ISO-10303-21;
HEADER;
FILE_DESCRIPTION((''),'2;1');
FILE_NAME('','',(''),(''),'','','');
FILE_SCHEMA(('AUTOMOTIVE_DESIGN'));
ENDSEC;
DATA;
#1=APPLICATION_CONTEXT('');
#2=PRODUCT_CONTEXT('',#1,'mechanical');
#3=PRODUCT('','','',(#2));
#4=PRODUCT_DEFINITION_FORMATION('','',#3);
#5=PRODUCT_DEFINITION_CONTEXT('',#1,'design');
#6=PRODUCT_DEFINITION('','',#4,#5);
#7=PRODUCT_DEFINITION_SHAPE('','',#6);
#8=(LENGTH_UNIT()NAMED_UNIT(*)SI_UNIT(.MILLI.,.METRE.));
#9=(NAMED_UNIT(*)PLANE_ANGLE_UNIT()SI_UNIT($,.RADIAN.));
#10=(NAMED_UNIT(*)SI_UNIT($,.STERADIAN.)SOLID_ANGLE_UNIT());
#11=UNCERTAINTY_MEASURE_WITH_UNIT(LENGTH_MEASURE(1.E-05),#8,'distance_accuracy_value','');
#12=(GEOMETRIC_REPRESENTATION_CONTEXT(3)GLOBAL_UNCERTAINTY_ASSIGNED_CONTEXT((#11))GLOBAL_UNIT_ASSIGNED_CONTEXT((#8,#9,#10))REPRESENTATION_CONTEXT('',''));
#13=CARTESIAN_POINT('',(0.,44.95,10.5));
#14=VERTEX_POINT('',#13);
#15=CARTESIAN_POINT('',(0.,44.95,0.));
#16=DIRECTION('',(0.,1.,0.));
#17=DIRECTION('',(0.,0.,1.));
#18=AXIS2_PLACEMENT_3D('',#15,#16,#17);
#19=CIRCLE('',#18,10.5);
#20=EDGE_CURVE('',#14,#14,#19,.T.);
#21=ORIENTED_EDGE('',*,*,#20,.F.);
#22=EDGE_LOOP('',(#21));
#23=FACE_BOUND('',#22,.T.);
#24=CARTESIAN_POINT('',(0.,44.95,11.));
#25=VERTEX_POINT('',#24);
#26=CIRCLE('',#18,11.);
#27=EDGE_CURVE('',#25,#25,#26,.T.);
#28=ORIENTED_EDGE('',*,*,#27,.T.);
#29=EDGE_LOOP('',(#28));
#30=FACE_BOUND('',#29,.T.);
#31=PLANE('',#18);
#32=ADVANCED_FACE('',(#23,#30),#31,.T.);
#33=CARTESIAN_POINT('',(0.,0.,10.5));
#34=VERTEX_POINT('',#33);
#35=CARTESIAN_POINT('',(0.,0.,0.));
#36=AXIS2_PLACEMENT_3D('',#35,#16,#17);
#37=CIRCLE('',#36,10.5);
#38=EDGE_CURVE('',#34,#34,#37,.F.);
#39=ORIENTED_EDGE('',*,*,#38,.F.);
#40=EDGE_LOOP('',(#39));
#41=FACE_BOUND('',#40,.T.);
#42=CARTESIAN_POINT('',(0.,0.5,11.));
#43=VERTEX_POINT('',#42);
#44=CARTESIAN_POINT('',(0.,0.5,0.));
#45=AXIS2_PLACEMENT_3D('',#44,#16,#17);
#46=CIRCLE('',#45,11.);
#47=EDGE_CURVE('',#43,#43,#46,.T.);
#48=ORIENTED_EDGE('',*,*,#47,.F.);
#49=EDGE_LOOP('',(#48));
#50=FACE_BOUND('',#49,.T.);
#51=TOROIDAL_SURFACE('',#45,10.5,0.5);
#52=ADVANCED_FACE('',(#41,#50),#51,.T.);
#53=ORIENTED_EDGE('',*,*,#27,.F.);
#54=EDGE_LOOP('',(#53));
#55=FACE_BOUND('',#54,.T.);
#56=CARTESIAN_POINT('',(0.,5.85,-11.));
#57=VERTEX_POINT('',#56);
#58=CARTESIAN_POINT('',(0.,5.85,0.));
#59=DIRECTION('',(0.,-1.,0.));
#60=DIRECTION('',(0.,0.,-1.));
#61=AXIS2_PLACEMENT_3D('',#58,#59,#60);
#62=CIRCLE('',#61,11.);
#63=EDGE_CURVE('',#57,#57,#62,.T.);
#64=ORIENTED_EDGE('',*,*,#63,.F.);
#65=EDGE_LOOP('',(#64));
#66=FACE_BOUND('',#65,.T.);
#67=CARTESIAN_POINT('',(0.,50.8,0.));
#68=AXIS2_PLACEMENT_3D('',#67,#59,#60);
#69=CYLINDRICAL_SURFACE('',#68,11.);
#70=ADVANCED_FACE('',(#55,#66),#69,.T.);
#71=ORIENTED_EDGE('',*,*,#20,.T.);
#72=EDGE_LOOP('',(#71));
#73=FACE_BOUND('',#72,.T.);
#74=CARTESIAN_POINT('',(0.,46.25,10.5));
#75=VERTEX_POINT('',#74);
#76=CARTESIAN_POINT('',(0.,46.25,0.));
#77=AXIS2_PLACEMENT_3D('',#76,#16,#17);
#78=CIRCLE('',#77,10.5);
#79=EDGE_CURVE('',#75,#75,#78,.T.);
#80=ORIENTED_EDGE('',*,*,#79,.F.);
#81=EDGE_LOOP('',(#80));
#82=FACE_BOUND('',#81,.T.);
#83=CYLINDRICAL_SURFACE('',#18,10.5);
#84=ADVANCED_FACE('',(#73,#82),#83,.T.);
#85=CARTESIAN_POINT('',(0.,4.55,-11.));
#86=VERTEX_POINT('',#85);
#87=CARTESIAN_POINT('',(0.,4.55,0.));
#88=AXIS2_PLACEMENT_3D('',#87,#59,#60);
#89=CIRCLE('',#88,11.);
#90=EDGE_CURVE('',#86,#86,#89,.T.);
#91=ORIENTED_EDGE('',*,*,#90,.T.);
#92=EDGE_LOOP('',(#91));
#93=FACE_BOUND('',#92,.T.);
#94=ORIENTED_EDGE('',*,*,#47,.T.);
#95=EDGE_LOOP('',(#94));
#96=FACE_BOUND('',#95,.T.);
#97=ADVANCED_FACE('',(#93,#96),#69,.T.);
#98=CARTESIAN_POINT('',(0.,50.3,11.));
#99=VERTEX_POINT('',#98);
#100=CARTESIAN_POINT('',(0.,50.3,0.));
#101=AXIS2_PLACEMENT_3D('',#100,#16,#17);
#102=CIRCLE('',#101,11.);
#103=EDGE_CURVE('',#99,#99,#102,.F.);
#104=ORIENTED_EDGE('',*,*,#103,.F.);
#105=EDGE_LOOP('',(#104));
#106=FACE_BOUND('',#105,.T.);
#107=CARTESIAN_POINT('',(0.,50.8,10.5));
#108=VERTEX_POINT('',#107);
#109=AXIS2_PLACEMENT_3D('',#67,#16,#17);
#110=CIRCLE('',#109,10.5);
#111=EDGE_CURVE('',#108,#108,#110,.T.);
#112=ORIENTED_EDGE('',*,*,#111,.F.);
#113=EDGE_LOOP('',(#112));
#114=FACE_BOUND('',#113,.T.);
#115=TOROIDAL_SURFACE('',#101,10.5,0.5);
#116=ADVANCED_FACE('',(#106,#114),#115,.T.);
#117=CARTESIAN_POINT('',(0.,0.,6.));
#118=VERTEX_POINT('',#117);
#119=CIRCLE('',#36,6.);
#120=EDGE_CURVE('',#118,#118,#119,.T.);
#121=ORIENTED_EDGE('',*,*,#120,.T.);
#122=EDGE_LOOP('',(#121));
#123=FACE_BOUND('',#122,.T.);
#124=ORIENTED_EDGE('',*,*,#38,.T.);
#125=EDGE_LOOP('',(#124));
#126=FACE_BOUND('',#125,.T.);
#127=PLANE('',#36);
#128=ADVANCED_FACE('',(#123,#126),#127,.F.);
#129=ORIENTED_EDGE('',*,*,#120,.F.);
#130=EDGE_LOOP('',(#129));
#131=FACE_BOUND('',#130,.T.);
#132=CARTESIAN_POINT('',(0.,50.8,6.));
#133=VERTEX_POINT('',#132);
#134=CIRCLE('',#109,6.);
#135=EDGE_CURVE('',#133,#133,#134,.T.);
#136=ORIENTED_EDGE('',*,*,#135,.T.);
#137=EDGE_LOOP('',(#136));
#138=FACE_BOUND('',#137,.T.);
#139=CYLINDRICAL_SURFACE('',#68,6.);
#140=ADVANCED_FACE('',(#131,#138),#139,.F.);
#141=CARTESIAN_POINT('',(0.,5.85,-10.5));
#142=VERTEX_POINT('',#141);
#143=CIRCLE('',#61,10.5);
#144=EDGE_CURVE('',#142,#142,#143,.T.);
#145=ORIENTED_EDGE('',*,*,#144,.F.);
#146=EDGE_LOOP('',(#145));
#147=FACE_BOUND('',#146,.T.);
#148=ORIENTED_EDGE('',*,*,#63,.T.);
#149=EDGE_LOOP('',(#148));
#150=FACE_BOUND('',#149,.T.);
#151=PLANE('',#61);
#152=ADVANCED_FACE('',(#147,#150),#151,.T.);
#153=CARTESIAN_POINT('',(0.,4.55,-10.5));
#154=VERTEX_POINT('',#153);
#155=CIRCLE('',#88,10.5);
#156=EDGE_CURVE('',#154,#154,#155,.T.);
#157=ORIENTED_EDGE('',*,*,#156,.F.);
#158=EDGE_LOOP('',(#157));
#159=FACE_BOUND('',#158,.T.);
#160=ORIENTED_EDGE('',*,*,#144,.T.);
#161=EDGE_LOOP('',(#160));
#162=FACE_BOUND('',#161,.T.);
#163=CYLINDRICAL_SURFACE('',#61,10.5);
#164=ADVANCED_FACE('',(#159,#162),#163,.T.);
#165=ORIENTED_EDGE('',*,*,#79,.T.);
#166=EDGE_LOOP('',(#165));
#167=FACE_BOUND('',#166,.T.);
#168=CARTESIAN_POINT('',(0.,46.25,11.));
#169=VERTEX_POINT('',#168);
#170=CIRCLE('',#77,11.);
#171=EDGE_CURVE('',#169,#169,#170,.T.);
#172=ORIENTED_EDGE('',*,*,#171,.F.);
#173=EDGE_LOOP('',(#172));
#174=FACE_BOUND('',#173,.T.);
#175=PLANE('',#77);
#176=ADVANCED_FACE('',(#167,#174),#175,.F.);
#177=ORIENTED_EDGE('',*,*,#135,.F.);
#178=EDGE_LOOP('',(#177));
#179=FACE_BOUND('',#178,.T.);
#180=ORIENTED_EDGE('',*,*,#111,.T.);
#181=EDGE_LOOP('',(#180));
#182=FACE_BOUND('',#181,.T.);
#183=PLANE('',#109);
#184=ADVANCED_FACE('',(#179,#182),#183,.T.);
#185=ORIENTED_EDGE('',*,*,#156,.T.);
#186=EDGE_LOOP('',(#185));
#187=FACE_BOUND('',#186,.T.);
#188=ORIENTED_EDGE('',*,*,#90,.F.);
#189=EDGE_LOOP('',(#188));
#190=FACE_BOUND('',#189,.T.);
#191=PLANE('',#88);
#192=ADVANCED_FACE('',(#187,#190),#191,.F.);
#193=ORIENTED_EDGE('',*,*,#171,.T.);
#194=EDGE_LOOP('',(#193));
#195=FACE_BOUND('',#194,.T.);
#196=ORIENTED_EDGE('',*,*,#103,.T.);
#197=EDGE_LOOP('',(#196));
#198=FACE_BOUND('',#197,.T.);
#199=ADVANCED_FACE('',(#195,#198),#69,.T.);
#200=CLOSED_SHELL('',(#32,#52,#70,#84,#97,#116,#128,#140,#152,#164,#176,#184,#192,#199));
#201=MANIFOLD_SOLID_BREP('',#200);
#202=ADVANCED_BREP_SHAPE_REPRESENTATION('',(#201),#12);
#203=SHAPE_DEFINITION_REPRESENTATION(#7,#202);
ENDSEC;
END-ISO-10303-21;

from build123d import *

# Parameters (mm, degrees)
ESBO_O1_R                = 11
ESBO_O1_R_2              = 6
RESSALTO_EXTRUS_O1_DEPTH = 50.8
CORTE_EXTRUS_O1_START    = -5.85
ESBO_O2_R                = 11
ESBO_O2_R_2              = 10.5
CORTE_EXTRUS_O1_DEPTH    = 1.3
CORTE_EXTRUS_O2_START    = -4.55
ESBO_O3_R                = 11
ESBO_O3_R_2              = 10.5
CORTE_EXTRUS_O2_DEPTH    = 1.3
FILETE1_R                = 0.5


with BuildPart() as part:
    # Esboço1 → Ressalto-extrusão1 (new body)
    with BuildSketch(Plane(origin=(0, 0, 0), x_dir=(1, 0, 0), z_dir=(0, 1, 0))):
        with Locations(Location((0, 0, 0), (0, 0, 270))):
            Circle(ESBO_O1_R)
        with Locations(Location((0, 0, 0), (0, 0, 270))):
            Circle(ESBO_O1_R_2, mode=Mode.SUBTRACT)
    extrude(amount=RESSALTO_EXTRUS_O1_DEPTH)

    # Esboço2 → Corte-extrusão1 (cut)
    with BuildSketch(Plane(origin=(0, 50.8, 0), x_dir=(1, 0, 0), z_dir=(0, 1, 0)).offset(CORTE_EXTRUS_O1_START)):
        with Locations(Location((0, 0, 0), (0, 0, 270))):
            Circle(ESBO_O2_R)
        with Locations(Location((0, 0, 0), (0, 0, 270))):
            Circle(ESBO_O2_R_2, mode=Mode.SUBTRACT)
    extrude(amount=CORTE_EXTRUS_O1_DEPTH, mode=Mode.SUBTRACT)

    # Esboço3 → Corte-extrusão2 (cut)
    with BuildSketch(Plane.XZ.offset(CORTE_EXTRUS_O2_START)):
        with Locations(Location((0, 0, 0), (0, 0, 270))):
            Circle(ESBO_O3_R)
        with Locations(Location((0, 0, 0), (0, 0, 90))):
            Circle(ESBO_O3_R_2, mode=Mode.SUBTRACT)
    extrude(amount=-CORTE_EXTRUS_O2_DEPTH, mode=Mode.SUBTRACT)

    # Filete1
    filete1_edges = [part.edges().sort_by_distance(p)[0] for p in [
        (0, 0, -11),
        (0, 50.8, -11),
    ]]
    fillet(filete1_edges, radius=FILETE1_R)


solid = part.part
